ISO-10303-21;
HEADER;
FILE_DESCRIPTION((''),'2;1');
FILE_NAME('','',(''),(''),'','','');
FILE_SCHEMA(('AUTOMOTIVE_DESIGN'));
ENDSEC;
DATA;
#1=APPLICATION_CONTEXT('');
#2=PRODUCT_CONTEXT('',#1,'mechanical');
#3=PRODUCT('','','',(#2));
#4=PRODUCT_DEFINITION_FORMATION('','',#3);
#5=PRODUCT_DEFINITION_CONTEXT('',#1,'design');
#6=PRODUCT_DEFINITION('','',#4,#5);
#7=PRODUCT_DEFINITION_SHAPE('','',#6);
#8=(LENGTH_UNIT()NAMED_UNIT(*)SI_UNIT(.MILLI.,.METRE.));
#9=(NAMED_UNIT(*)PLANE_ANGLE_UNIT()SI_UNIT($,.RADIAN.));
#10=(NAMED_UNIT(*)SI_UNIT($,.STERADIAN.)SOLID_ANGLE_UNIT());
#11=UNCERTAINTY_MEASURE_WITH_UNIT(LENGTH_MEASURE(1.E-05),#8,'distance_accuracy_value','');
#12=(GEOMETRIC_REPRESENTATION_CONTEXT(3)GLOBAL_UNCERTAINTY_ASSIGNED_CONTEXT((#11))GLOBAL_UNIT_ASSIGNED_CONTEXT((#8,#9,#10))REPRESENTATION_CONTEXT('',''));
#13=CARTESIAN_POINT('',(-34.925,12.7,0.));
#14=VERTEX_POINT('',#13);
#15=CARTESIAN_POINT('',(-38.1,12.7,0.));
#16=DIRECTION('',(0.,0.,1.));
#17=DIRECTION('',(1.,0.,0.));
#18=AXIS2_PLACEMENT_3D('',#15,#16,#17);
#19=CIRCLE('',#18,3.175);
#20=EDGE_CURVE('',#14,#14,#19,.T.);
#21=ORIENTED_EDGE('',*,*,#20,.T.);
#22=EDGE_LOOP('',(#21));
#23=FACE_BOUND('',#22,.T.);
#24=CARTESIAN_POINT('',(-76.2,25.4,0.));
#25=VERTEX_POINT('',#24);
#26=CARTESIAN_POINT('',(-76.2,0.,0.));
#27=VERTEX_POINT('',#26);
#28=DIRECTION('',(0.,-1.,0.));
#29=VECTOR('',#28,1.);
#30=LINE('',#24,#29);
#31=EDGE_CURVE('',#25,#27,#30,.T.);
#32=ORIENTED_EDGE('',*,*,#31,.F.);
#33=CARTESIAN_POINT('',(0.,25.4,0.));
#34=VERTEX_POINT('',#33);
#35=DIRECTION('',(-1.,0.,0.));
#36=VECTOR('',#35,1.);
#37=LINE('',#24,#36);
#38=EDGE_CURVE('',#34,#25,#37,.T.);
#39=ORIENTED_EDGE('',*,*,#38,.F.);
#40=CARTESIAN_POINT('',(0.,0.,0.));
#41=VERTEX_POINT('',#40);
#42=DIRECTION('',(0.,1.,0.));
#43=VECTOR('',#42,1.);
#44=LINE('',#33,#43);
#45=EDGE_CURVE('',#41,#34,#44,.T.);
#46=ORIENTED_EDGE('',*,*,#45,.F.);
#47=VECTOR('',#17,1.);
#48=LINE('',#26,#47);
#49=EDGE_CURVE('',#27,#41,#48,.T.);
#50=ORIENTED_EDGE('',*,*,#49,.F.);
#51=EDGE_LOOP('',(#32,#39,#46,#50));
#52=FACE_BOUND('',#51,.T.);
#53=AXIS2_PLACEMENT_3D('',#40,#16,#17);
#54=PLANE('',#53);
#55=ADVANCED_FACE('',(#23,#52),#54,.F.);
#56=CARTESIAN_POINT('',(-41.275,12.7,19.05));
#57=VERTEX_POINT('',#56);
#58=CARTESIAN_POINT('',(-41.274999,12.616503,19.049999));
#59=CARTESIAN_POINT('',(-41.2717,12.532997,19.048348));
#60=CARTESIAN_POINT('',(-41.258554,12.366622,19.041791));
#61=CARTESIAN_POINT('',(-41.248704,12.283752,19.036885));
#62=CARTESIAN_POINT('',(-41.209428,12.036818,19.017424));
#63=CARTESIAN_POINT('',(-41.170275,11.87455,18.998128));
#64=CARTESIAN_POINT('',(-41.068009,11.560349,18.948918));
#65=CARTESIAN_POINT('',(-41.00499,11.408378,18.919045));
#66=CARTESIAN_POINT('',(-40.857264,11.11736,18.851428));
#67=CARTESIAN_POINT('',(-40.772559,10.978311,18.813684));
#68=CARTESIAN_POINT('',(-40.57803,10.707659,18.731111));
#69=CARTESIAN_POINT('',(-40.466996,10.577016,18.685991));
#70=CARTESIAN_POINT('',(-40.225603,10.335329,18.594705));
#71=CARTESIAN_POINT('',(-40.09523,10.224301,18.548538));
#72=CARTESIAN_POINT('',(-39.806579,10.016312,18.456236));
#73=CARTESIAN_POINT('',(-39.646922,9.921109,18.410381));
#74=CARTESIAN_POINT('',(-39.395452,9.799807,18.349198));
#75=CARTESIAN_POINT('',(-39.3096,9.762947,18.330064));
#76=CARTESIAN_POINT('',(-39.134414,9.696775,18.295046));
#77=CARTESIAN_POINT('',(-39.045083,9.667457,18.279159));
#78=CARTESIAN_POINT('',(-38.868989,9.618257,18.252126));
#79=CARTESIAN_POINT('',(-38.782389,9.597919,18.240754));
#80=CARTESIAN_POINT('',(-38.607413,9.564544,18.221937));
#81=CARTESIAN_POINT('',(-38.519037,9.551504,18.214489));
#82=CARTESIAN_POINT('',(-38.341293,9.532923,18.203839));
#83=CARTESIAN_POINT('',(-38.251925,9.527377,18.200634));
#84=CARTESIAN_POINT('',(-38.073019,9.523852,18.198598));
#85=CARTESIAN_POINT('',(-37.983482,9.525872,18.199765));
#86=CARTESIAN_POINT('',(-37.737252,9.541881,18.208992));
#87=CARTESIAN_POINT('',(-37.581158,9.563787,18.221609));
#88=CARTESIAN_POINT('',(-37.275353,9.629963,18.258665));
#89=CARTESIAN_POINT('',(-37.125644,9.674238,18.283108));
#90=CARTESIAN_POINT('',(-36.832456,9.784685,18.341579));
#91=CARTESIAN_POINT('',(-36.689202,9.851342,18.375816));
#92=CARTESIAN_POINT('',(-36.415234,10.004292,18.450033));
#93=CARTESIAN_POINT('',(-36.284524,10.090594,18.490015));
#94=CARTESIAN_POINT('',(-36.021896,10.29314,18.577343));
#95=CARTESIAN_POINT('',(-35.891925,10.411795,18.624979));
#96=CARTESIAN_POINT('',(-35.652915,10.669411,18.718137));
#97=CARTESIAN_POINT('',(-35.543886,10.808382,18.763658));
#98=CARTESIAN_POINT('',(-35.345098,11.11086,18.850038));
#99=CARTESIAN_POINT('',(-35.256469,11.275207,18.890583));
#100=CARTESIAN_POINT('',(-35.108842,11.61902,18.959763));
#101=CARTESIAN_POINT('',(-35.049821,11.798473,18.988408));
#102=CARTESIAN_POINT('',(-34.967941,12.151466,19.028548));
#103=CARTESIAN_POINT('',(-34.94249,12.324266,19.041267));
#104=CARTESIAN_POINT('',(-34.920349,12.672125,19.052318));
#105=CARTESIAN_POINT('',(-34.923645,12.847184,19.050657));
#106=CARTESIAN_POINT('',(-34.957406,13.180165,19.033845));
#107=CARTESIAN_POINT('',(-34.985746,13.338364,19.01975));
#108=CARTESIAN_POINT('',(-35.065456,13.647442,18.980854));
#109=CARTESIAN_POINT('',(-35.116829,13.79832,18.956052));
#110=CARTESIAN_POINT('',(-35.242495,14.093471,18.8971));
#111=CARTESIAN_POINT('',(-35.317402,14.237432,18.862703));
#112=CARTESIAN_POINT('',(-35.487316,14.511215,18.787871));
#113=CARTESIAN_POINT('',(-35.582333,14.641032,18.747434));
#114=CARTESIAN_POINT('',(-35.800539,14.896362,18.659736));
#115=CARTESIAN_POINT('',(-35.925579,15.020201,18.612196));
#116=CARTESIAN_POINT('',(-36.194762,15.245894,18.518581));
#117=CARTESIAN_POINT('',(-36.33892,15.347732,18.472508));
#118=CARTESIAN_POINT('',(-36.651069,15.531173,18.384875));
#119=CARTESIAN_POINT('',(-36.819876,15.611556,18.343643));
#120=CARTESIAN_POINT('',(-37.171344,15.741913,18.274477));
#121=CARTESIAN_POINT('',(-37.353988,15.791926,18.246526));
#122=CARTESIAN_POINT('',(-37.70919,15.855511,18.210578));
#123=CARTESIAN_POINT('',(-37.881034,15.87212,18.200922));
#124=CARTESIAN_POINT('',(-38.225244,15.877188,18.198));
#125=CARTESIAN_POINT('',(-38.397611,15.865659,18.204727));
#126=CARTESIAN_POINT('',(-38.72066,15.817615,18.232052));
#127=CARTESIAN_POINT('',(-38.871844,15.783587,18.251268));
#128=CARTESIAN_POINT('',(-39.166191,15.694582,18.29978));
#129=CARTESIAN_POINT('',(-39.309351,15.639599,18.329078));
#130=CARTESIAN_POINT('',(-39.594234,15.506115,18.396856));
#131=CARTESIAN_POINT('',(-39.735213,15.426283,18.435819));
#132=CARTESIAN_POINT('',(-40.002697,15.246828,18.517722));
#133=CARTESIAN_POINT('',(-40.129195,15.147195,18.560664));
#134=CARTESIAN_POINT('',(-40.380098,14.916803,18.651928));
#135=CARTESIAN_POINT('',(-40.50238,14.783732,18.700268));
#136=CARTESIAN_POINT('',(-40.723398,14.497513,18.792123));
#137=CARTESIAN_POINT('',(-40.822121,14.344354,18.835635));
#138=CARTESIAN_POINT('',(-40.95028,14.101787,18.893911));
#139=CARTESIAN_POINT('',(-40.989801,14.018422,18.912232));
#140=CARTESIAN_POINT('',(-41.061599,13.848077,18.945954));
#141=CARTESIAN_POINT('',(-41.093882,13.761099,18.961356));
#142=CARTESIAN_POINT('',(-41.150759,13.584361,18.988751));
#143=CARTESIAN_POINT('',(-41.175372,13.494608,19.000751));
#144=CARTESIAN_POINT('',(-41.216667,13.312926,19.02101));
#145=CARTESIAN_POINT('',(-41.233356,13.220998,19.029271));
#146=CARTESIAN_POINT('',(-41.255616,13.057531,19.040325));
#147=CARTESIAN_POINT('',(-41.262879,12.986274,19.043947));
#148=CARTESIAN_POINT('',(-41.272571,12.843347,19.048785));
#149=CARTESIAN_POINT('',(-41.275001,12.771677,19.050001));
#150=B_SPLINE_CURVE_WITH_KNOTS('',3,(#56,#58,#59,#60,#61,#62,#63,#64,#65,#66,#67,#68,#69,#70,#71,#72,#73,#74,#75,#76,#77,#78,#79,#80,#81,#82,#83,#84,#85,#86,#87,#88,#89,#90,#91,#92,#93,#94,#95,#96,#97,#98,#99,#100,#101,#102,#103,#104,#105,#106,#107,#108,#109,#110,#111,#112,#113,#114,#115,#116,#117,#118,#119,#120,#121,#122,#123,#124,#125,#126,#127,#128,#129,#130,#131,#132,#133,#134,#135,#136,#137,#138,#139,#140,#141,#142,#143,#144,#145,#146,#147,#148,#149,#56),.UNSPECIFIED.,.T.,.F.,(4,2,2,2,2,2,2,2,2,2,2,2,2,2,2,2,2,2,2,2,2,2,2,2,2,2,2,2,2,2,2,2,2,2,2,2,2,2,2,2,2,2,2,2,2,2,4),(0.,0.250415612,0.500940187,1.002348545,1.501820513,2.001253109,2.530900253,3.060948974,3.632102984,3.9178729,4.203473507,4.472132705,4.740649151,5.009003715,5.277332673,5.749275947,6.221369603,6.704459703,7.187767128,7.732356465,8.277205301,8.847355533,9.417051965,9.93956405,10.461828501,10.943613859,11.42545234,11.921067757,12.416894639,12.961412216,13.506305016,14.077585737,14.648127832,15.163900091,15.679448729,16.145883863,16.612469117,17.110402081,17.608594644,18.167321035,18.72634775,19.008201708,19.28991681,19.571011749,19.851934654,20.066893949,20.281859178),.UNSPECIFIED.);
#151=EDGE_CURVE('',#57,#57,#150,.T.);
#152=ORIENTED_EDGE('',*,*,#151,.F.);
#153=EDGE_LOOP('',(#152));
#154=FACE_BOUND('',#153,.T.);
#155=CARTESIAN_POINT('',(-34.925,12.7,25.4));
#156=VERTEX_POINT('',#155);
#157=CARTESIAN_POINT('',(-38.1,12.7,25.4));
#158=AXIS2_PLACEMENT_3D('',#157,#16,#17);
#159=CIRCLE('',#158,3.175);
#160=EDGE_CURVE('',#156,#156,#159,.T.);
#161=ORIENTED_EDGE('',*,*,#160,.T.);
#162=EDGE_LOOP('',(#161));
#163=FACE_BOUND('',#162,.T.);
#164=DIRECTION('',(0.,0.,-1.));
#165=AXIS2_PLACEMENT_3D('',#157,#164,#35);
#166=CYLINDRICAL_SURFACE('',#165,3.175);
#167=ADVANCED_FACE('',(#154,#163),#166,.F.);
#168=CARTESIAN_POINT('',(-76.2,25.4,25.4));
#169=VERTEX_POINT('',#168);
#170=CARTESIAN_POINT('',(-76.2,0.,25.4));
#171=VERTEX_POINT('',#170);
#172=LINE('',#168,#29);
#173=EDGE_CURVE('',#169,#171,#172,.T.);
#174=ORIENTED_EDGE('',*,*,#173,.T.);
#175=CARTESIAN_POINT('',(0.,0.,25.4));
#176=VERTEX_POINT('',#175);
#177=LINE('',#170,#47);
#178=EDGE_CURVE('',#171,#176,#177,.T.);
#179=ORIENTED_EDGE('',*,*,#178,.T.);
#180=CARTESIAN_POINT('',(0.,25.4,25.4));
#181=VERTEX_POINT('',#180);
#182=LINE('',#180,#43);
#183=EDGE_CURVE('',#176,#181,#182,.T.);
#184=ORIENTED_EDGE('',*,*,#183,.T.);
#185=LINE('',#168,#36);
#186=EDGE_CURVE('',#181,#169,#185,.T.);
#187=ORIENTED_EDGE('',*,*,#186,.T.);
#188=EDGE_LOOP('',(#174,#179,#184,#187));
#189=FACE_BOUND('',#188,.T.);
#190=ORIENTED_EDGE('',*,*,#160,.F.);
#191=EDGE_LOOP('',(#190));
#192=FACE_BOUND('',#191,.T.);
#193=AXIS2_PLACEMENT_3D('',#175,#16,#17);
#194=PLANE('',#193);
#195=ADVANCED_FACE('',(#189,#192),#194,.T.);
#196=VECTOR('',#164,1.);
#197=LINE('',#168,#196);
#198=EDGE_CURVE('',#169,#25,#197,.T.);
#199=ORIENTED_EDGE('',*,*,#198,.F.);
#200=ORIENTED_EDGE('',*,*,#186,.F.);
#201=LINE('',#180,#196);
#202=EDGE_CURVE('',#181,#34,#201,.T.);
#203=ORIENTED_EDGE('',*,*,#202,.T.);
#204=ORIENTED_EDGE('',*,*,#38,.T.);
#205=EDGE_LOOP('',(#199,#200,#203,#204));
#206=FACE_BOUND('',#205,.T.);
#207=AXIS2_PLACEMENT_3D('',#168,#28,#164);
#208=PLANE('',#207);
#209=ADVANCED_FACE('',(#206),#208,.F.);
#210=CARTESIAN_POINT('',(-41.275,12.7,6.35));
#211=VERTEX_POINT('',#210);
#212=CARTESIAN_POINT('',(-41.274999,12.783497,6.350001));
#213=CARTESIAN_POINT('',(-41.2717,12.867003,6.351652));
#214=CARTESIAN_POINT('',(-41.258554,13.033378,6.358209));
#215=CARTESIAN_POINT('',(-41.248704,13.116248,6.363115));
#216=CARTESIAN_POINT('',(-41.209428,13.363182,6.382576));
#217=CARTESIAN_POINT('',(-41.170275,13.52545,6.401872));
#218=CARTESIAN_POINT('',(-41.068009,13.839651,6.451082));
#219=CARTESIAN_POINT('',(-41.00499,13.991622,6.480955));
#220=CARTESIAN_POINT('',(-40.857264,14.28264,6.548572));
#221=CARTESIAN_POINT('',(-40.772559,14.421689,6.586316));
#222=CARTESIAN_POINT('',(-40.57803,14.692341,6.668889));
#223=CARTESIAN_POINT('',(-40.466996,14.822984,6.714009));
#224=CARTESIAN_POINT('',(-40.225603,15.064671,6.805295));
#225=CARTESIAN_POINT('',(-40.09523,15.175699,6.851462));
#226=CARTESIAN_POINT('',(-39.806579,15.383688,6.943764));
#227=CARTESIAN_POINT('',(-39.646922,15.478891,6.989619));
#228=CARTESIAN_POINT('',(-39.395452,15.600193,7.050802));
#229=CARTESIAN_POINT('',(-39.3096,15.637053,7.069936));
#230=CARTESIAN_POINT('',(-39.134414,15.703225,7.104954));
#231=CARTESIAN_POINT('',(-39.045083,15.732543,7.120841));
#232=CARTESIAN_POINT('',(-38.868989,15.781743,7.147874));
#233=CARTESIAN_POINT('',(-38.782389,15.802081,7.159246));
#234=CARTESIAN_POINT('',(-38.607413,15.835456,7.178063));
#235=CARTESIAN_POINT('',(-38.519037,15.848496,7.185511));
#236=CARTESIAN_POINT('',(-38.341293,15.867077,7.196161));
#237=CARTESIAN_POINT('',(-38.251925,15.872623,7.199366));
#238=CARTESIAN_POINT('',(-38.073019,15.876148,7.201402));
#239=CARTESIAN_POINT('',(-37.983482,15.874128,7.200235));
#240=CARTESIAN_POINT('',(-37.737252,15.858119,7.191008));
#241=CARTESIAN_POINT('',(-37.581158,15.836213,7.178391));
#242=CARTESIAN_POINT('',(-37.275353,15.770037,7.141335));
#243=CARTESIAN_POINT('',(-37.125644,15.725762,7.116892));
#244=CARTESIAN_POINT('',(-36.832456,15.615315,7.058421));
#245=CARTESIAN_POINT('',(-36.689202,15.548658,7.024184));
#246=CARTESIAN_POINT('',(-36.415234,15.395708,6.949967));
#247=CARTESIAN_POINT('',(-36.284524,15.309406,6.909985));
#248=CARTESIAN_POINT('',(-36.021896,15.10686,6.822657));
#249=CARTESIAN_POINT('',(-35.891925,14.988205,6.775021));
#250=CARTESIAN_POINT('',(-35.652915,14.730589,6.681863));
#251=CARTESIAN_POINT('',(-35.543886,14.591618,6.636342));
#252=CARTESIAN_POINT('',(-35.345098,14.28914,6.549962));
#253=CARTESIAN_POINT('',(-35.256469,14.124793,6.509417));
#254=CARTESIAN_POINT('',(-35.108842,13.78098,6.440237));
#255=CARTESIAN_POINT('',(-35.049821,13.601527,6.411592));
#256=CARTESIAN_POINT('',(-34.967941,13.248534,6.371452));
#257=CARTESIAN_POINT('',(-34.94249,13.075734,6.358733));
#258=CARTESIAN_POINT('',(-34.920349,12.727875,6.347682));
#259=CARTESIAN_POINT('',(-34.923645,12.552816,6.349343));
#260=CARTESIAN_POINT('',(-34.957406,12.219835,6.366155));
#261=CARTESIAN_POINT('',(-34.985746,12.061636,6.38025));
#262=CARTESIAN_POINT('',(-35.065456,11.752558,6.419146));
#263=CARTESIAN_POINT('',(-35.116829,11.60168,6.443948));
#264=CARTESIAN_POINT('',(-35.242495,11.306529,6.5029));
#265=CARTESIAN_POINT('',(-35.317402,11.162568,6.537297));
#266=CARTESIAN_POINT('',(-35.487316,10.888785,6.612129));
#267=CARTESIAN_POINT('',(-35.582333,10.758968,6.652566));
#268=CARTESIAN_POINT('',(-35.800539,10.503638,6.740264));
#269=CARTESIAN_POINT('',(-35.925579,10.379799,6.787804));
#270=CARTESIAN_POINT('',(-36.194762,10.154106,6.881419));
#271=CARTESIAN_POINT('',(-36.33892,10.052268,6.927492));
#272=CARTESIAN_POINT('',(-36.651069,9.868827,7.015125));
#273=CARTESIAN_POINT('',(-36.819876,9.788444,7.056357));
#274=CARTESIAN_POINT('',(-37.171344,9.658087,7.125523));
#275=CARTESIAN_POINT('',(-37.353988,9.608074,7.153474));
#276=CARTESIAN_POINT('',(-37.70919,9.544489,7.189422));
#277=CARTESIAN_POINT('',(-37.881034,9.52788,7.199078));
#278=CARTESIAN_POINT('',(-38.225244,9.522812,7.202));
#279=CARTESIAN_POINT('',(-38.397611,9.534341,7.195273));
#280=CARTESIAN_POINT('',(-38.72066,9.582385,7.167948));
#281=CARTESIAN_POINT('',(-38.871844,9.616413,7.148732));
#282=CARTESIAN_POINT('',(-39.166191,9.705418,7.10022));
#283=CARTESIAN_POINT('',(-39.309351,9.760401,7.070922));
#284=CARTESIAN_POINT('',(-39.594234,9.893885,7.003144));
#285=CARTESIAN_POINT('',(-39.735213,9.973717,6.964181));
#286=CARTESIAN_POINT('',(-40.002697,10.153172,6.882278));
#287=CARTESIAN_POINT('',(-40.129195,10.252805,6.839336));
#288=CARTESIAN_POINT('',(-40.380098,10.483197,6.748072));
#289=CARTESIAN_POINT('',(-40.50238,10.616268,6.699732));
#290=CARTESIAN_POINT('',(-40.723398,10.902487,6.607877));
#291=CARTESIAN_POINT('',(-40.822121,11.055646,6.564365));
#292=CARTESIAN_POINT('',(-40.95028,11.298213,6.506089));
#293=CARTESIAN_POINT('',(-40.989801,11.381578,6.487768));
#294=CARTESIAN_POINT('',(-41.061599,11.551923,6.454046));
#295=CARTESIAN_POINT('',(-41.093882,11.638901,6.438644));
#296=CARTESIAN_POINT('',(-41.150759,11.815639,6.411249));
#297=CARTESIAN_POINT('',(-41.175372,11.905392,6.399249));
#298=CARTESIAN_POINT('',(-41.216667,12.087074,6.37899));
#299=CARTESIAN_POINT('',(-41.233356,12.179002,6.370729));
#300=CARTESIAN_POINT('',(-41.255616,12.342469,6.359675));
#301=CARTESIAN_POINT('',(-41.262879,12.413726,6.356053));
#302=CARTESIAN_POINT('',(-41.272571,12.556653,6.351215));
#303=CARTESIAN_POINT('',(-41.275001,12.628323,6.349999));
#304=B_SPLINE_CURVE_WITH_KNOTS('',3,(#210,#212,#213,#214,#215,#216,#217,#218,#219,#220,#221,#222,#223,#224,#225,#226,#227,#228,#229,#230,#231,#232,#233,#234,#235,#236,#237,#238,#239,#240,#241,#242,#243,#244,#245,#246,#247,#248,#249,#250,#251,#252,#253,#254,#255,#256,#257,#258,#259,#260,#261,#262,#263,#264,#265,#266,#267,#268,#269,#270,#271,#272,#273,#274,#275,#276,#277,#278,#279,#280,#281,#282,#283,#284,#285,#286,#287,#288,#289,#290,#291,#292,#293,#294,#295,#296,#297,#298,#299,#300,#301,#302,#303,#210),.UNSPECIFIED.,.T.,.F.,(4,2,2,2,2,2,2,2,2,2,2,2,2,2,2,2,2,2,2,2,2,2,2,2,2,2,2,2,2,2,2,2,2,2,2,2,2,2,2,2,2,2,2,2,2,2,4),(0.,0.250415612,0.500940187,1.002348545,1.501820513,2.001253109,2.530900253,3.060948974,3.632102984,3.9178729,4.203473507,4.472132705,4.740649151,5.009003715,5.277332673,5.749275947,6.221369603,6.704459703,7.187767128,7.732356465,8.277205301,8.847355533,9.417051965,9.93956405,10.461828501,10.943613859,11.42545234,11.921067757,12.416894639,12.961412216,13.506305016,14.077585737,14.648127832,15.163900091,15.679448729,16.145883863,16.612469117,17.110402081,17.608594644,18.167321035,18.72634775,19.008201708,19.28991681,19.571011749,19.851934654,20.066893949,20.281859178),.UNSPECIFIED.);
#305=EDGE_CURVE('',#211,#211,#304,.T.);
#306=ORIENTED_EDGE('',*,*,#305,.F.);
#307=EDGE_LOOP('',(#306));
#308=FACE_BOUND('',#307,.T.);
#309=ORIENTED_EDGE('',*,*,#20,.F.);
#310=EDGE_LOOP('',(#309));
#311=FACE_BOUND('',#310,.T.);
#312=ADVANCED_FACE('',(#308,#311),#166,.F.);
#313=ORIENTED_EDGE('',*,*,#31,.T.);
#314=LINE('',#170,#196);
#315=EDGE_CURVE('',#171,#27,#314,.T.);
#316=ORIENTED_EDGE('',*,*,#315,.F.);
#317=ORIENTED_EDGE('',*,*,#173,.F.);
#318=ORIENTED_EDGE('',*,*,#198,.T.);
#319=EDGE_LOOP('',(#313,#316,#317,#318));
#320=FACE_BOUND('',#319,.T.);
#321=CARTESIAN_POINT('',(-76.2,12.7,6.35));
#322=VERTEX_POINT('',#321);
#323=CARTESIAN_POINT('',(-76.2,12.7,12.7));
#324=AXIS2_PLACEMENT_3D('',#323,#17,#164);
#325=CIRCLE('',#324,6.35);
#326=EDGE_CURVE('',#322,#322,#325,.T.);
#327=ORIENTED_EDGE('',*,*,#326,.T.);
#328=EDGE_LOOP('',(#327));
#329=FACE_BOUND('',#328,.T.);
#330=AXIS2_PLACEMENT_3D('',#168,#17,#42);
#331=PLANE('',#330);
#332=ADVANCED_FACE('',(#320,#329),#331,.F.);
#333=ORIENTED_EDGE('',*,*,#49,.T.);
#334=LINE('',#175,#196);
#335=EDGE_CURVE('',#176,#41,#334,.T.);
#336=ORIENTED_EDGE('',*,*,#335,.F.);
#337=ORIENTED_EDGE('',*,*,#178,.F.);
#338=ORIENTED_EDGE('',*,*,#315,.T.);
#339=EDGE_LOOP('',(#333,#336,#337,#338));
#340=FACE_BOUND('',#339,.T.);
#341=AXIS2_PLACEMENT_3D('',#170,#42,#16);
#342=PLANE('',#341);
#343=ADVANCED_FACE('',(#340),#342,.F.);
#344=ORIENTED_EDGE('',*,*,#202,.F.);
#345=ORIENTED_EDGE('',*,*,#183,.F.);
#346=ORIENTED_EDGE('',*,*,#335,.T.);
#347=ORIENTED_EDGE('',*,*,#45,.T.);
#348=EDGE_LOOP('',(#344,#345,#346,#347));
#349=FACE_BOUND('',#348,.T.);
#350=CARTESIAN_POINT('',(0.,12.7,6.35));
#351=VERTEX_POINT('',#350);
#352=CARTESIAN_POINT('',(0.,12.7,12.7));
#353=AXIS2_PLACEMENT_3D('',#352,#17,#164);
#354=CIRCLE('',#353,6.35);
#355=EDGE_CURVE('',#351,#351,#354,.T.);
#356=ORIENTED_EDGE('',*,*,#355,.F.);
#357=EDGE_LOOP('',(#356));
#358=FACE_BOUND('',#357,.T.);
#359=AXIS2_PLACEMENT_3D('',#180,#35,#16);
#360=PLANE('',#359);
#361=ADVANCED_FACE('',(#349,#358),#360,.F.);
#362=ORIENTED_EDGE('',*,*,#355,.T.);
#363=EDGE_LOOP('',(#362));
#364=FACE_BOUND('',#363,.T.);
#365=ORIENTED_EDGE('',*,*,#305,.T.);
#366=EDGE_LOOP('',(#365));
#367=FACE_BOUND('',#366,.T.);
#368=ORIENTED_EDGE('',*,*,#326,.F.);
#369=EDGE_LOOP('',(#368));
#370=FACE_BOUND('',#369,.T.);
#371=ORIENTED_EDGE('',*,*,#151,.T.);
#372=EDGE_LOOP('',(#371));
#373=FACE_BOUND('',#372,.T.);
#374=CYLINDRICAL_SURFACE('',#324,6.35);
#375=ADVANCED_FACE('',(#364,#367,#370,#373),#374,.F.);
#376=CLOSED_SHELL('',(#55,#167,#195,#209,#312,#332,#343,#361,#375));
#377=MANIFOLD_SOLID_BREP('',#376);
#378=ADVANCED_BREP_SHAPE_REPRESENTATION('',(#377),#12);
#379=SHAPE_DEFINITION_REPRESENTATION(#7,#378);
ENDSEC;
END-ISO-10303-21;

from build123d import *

# Parameters (mm, degrees)
SKETCH1_W           = 76.2
SKETCH1_H           = 25.4
SKETCH1_R           = 3.175
BOSS_EXTRUDE1_DEPTH = 25.4
SKETCH2_R           = 6.35
CUT_EXTRUDE1_DEPTH  = 85.242269675


with BuildPart() as part:
    # Sketch1 → Boss-Extrude1 (new body)
    with BuildSketch(Plane.XY):
        with Locations((-38.1, 12.7)):
            Rectangle(SKETCH1_W, SKETCH1_H)
        with Locations((-38.1, 12.7)):
            Circle(SKETCH1_R, mode=Mode.SUBTRACT)
    extrude(amount=BOSS_EXTRUDE1_DEPTH)

    # Sketch2 → Cut-Extrude1 (cut, through all)
    with BuildSketch(Plane(origin=(0, 0, 0), x_dir=(0, 0, -1), z_dir=(1, 0, 0))):
        with Locations((-12.7, 12.7)):
            Circle(SKETCH2_R)
    extrude(amount=-CUT_EXTRUDE1_DEPTH, mode=Mode.SUBTRACT)


solid = part.part
